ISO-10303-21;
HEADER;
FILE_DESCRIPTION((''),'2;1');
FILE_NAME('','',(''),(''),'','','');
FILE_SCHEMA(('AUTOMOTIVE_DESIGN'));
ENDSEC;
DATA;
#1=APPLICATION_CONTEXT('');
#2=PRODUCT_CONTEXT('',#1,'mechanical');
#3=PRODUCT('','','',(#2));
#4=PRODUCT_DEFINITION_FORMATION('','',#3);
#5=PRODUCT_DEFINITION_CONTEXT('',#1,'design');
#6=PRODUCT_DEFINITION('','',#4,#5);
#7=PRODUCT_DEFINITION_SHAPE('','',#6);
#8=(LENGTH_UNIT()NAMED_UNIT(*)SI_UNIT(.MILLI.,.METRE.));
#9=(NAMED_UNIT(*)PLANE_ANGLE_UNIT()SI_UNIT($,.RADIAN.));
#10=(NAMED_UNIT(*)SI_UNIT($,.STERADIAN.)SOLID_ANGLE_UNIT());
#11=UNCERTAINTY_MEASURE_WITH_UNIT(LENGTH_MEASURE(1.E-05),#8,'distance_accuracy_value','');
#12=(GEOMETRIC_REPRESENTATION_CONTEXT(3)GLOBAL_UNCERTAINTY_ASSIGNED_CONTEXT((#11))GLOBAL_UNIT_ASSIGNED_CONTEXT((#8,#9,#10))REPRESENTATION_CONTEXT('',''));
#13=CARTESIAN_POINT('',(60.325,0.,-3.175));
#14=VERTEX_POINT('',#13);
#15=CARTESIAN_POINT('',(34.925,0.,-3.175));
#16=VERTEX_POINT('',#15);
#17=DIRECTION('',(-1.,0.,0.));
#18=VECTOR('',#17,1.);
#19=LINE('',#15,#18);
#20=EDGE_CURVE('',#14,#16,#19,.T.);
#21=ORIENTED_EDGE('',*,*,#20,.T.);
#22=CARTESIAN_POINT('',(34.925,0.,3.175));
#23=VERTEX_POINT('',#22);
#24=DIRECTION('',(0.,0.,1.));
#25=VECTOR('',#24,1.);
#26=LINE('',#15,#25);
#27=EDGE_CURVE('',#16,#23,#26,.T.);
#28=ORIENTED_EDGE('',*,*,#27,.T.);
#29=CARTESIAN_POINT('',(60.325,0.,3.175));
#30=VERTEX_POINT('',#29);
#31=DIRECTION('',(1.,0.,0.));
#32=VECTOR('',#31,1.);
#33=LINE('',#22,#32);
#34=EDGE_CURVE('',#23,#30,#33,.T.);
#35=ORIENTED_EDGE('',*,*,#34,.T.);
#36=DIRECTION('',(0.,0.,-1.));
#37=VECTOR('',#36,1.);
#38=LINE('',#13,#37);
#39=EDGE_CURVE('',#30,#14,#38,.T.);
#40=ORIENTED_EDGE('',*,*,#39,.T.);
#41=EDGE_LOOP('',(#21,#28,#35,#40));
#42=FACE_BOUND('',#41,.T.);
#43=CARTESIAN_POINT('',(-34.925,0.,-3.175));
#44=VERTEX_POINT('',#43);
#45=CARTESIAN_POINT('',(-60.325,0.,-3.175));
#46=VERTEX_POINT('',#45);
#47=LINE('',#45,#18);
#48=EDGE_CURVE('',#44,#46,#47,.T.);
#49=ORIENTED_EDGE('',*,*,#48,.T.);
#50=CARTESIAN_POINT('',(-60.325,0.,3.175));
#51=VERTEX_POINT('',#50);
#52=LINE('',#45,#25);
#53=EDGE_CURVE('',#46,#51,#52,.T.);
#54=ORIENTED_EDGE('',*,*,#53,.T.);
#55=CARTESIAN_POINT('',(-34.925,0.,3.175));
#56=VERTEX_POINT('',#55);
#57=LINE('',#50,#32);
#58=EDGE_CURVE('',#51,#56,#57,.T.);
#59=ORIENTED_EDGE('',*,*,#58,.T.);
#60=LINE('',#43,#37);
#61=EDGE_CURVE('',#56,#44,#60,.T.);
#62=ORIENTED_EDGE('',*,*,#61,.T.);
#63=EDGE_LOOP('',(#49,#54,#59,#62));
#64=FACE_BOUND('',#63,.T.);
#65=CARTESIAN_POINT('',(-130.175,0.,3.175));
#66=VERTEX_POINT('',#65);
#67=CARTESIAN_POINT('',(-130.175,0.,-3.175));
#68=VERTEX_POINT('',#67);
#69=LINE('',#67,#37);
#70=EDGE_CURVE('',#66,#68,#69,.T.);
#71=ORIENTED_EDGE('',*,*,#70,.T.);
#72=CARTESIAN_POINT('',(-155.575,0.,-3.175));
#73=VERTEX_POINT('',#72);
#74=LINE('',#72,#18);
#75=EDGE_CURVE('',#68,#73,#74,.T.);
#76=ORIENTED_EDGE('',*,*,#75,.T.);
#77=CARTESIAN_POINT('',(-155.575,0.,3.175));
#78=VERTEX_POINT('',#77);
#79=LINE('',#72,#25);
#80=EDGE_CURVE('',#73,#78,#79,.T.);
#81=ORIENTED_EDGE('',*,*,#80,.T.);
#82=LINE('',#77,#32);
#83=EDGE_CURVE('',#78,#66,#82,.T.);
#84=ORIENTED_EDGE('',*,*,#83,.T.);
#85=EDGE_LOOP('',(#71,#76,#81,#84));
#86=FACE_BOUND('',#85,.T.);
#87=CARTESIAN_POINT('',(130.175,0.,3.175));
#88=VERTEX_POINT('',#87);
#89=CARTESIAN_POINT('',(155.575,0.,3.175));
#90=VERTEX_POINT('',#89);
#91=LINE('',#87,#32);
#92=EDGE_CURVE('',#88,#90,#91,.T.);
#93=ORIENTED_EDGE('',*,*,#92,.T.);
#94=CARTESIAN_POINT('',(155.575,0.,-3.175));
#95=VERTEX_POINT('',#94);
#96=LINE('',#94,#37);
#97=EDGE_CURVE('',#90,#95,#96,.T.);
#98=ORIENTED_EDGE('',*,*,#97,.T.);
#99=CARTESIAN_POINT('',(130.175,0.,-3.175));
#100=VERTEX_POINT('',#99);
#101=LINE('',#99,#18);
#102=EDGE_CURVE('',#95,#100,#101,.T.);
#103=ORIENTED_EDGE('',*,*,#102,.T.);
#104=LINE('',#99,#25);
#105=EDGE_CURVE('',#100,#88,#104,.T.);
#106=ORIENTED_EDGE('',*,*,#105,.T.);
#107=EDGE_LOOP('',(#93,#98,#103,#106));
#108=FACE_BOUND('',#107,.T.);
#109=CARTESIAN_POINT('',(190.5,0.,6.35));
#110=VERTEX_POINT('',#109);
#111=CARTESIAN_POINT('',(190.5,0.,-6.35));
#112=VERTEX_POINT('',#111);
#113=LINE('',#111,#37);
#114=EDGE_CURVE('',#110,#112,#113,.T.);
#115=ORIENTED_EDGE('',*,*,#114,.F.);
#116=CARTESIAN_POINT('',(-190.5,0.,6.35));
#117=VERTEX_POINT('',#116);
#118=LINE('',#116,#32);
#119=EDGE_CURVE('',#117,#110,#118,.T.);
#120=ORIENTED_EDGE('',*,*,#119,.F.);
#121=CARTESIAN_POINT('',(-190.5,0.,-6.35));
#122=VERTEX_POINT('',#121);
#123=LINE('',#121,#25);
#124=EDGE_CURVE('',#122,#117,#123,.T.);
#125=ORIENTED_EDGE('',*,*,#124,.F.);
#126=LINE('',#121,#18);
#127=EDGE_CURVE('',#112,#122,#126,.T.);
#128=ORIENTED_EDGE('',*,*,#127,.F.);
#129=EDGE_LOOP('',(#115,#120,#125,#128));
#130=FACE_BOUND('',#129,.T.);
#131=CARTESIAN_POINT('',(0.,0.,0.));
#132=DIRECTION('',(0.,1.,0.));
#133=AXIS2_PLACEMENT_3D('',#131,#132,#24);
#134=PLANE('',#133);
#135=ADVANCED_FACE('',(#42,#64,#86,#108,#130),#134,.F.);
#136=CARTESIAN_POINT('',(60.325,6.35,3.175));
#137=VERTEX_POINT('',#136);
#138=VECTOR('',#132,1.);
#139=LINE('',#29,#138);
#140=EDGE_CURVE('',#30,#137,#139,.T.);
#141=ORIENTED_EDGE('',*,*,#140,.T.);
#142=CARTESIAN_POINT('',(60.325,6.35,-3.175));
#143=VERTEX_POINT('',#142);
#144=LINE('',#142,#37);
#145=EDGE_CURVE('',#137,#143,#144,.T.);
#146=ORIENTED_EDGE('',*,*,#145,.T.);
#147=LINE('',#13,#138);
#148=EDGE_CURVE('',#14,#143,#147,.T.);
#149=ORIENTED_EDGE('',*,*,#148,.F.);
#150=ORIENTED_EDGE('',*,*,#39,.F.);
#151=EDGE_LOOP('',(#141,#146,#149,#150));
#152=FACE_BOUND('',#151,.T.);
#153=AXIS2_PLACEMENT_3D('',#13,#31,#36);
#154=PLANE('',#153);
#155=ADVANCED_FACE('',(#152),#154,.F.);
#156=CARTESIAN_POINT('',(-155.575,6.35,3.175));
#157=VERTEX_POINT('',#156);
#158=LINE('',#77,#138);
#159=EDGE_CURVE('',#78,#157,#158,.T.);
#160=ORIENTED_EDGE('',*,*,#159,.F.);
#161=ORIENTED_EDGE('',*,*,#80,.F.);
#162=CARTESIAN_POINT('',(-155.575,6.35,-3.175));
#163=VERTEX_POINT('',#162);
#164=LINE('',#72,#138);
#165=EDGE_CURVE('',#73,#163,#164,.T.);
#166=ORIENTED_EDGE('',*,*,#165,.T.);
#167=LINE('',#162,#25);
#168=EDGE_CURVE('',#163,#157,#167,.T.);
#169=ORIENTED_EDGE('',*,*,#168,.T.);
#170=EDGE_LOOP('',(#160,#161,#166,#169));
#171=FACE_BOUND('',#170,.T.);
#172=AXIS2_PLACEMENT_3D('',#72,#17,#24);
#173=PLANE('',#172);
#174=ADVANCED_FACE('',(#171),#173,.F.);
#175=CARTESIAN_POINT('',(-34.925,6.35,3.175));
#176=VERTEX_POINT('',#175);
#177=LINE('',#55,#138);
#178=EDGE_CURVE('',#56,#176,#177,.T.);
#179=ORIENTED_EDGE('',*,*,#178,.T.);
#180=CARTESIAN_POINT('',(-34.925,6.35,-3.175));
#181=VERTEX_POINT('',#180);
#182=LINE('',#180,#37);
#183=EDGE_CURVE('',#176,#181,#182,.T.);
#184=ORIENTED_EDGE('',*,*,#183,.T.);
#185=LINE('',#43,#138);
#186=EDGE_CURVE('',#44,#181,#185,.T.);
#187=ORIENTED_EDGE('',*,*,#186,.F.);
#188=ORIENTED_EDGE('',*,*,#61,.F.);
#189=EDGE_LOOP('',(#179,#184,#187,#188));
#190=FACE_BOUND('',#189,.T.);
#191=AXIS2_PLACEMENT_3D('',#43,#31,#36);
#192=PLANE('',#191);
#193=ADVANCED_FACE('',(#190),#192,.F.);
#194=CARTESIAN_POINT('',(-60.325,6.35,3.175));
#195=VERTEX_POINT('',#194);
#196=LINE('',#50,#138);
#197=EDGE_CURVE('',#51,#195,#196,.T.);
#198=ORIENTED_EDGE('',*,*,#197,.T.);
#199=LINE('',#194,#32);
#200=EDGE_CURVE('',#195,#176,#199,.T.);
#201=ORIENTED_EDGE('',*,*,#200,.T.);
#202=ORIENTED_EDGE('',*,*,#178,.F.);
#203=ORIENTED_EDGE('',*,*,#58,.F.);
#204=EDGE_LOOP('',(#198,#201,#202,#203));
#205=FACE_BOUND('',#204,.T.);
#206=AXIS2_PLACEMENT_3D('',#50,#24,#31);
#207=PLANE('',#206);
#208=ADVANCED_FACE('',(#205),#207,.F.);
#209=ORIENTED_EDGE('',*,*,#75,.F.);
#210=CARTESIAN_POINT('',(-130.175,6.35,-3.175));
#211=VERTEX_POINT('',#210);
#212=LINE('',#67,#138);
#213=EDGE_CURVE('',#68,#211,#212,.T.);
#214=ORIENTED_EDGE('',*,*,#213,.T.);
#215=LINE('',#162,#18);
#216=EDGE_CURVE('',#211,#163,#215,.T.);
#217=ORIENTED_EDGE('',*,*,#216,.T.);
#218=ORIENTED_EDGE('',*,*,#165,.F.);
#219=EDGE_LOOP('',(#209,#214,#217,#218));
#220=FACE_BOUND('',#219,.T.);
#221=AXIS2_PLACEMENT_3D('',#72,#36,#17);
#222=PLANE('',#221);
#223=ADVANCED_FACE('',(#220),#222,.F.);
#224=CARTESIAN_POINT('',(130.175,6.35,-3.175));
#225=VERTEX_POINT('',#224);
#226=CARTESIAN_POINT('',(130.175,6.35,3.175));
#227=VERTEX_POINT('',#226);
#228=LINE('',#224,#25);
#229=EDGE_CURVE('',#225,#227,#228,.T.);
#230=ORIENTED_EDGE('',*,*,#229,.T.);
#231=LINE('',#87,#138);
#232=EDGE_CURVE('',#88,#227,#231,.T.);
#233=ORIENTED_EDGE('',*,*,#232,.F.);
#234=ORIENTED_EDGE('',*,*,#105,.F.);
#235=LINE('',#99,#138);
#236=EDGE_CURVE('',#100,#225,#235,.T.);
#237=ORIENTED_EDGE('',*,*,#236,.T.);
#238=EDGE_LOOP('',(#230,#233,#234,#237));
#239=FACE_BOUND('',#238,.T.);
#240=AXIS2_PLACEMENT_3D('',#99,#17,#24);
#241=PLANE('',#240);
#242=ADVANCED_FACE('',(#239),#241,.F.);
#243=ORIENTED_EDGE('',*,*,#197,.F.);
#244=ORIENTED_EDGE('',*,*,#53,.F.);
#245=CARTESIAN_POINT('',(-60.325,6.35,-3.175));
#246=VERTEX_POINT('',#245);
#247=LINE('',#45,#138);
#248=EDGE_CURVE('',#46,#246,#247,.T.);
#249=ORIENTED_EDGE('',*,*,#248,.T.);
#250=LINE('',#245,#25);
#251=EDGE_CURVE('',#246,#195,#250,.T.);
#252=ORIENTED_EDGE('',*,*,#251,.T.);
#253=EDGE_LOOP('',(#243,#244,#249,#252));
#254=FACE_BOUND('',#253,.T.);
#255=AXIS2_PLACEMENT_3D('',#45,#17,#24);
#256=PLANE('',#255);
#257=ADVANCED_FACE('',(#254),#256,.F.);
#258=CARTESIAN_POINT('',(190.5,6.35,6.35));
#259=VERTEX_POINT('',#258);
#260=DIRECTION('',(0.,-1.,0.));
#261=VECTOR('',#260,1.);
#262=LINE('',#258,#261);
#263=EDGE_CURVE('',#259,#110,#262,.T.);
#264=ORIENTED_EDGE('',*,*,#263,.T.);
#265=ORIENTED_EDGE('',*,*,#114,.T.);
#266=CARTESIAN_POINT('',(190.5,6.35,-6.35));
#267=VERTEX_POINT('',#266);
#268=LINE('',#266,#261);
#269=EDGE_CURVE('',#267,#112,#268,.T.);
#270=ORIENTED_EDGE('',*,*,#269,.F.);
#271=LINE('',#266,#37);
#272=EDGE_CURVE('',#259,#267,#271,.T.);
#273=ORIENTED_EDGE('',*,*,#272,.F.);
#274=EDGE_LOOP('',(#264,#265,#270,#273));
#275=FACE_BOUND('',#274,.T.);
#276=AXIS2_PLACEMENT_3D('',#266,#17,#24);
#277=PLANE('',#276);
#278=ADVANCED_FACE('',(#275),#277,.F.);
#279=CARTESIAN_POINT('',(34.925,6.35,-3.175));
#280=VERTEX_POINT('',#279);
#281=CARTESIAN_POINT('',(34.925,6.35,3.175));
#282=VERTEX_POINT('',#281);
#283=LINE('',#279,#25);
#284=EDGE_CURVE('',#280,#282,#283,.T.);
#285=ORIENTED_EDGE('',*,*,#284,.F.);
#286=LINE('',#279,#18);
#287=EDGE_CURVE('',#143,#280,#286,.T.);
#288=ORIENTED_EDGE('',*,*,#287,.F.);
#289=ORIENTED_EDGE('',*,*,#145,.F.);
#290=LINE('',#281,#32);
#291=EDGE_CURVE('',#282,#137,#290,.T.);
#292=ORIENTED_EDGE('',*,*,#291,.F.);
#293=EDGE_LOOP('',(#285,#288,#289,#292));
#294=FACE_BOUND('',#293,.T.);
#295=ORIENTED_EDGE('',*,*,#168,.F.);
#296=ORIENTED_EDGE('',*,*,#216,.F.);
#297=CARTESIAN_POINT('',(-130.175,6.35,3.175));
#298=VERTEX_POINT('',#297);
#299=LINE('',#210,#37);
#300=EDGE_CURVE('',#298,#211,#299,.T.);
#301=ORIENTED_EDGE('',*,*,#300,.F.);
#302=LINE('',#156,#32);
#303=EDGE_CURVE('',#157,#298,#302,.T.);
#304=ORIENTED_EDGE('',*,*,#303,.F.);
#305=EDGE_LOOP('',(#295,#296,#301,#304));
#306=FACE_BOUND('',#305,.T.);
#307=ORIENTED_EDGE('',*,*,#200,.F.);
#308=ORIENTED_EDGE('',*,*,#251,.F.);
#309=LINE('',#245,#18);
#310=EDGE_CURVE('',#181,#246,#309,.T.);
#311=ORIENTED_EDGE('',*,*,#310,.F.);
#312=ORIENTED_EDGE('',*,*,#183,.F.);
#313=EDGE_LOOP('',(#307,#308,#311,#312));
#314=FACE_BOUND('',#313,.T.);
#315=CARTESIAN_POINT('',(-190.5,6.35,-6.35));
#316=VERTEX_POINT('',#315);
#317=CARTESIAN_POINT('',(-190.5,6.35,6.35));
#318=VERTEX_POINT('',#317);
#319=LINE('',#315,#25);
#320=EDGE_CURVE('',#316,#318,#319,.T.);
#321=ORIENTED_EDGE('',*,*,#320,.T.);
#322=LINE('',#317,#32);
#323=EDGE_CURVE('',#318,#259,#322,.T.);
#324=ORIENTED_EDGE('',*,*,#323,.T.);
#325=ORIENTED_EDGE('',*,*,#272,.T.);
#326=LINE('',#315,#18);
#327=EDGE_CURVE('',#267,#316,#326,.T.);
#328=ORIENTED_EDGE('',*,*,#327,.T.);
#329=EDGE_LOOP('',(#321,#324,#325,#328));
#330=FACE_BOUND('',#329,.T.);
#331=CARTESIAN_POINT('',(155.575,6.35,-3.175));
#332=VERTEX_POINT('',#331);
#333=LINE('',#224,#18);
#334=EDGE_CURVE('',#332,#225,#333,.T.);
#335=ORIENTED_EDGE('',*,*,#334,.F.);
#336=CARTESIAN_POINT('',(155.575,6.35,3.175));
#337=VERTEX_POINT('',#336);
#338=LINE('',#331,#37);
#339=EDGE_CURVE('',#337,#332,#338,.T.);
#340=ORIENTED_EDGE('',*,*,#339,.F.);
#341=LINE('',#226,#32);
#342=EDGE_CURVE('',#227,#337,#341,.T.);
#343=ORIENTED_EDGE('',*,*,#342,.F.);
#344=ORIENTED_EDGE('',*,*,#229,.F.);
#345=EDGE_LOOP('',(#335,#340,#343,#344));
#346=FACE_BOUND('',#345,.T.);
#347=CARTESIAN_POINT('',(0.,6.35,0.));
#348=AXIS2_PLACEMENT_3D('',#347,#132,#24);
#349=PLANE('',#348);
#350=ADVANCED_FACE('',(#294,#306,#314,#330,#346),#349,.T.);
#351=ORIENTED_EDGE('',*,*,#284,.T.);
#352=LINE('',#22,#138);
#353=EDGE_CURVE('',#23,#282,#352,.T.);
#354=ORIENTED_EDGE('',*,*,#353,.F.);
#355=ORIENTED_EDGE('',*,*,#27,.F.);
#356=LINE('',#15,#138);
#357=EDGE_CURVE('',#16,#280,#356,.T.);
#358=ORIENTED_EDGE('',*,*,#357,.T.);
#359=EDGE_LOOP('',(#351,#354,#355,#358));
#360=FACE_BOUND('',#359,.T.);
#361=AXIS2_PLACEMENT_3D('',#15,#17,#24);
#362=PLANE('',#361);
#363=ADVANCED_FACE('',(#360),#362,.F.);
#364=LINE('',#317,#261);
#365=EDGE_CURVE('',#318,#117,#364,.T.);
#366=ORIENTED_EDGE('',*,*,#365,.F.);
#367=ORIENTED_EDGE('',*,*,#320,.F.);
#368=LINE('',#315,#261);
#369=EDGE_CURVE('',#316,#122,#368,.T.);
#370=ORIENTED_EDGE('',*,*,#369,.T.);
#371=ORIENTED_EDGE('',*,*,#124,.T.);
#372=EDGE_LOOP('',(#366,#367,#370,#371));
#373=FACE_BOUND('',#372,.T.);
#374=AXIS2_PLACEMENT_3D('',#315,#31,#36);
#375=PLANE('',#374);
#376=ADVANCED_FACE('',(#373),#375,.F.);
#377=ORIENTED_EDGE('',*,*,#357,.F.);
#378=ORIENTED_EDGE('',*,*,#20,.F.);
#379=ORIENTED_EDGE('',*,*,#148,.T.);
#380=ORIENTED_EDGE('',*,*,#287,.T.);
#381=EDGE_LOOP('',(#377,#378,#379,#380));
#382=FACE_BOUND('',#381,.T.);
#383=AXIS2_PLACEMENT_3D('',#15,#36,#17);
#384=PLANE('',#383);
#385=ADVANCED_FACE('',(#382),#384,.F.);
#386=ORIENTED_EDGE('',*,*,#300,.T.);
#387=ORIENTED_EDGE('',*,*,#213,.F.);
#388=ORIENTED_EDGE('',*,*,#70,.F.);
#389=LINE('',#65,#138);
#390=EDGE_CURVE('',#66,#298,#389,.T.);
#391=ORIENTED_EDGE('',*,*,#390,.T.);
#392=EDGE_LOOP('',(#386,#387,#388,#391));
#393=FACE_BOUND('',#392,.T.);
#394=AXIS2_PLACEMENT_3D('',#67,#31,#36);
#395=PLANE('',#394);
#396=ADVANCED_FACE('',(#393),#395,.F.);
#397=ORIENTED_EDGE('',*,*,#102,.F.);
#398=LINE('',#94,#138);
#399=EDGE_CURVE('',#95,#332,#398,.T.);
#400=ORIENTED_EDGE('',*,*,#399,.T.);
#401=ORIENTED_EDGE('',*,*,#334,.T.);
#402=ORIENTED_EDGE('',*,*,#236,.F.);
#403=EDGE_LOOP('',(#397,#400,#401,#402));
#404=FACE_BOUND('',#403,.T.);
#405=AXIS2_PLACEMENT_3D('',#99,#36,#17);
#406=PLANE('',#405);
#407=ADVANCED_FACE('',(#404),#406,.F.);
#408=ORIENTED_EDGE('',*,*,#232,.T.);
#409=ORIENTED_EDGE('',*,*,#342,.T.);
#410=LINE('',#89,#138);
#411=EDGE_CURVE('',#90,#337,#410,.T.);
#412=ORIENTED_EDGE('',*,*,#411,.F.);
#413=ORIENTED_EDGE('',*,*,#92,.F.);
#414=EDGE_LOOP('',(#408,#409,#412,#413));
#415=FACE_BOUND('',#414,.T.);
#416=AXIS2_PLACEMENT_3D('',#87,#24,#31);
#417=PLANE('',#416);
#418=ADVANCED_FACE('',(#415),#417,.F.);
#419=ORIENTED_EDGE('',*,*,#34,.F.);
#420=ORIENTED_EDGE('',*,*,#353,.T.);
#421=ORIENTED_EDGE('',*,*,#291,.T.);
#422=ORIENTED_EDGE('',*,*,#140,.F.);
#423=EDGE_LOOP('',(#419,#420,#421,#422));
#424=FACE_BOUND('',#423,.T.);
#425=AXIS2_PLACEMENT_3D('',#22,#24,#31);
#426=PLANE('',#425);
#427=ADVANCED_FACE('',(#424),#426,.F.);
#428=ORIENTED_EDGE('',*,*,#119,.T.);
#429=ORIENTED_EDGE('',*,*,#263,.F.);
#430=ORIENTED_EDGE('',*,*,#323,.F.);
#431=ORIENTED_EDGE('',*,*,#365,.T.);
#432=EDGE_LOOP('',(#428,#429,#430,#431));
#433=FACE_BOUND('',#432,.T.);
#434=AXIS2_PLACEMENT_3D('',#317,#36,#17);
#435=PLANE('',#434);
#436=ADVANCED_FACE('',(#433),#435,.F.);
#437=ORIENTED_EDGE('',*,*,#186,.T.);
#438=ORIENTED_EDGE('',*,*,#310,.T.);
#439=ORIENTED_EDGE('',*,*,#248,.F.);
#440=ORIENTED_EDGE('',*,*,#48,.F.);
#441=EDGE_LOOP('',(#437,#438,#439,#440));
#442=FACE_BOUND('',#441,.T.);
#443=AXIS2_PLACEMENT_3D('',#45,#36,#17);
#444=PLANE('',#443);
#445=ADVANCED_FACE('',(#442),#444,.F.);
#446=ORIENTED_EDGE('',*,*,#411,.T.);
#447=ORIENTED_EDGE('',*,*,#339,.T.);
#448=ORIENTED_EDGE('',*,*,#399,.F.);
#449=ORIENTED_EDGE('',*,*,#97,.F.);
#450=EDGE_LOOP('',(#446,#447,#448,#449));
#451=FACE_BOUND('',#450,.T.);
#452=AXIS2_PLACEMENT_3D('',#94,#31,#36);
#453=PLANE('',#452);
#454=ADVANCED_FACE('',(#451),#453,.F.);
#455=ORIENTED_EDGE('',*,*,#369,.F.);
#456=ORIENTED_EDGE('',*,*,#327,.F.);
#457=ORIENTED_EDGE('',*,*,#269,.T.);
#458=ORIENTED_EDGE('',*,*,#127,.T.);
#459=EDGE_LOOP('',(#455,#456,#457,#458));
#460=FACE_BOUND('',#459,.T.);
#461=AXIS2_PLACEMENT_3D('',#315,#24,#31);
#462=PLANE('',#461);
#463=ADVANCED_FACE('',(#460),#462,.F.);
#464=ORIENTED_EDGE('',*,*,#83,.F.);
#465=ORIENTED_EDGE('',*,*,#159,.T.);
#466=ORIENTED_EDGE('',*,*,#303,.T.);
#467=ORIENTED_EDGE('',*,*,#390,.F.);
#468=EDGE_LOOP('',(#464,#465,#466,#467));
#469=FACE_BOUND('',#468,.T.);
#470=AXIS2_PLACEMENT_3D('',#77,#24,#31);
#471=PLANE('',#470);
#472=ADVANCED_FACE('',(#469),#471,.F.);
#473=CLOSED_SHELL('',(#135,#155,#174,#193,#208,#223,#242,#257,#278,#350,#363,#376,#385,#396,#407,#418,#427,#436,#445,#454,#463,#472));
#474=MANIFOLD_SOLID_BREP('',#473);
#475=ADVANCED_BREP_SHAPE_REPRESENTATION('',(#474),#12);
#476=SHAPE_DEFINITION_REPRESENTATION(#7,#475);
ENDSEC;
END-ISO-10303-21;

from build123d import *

# Parameters (mm, degrees)
SKETCH1_W           = 381
SKETCH1_H           = 12.7
BOSS_EXTRUDE1_DEPTH = 6.35
SKETCH2_W           = 25.4
SKETCH2_H           = 6.35
CUT_EXTRUDE1_DEPTH  = 7.35
LPATTERN1_COUNT     = 4
LPATTERN1_PITCH     = 95.25


with BuildPart() as part:
    # Sketch1 → Boss-Extrude1 (new body)
    with BuildSketch(Plane(origin=(0, 0, 0), x_dir=(1, 0, 0), z_dir=(0, 1, 0))):
        Rectangle(SKETCH1_W, SKETCH1_H)
    extrude(amount=BOSS_EXTRUDE1_DEPTH)

    # Sketch2 → Cut-Extrude1 (cut, through all)
    with BuildSketch(Plane(origin=(0, 6.35, 0), x_dir=(1, 0, 0), z_dir=(0, 1, 0))):
        with Locations((-142.875, 0)):
            Rectangle(SKETCH2_W, SKETCH2_H)
    cut_extrude1 = extrude(amount=-CUT_EXTRUDE1_DEPTH, mode=Mode.SUBTRACT)

    # LPattern1: Cut-Extrude1 ×4
    with Locations(*[(i * LPATTERN1_PITCH, 0, 0) for i in range(1, LPATTERN1_COUNT)]):
        add(cut_extrude1, mode=Mode.SUBTRACT)


solid = part.part
